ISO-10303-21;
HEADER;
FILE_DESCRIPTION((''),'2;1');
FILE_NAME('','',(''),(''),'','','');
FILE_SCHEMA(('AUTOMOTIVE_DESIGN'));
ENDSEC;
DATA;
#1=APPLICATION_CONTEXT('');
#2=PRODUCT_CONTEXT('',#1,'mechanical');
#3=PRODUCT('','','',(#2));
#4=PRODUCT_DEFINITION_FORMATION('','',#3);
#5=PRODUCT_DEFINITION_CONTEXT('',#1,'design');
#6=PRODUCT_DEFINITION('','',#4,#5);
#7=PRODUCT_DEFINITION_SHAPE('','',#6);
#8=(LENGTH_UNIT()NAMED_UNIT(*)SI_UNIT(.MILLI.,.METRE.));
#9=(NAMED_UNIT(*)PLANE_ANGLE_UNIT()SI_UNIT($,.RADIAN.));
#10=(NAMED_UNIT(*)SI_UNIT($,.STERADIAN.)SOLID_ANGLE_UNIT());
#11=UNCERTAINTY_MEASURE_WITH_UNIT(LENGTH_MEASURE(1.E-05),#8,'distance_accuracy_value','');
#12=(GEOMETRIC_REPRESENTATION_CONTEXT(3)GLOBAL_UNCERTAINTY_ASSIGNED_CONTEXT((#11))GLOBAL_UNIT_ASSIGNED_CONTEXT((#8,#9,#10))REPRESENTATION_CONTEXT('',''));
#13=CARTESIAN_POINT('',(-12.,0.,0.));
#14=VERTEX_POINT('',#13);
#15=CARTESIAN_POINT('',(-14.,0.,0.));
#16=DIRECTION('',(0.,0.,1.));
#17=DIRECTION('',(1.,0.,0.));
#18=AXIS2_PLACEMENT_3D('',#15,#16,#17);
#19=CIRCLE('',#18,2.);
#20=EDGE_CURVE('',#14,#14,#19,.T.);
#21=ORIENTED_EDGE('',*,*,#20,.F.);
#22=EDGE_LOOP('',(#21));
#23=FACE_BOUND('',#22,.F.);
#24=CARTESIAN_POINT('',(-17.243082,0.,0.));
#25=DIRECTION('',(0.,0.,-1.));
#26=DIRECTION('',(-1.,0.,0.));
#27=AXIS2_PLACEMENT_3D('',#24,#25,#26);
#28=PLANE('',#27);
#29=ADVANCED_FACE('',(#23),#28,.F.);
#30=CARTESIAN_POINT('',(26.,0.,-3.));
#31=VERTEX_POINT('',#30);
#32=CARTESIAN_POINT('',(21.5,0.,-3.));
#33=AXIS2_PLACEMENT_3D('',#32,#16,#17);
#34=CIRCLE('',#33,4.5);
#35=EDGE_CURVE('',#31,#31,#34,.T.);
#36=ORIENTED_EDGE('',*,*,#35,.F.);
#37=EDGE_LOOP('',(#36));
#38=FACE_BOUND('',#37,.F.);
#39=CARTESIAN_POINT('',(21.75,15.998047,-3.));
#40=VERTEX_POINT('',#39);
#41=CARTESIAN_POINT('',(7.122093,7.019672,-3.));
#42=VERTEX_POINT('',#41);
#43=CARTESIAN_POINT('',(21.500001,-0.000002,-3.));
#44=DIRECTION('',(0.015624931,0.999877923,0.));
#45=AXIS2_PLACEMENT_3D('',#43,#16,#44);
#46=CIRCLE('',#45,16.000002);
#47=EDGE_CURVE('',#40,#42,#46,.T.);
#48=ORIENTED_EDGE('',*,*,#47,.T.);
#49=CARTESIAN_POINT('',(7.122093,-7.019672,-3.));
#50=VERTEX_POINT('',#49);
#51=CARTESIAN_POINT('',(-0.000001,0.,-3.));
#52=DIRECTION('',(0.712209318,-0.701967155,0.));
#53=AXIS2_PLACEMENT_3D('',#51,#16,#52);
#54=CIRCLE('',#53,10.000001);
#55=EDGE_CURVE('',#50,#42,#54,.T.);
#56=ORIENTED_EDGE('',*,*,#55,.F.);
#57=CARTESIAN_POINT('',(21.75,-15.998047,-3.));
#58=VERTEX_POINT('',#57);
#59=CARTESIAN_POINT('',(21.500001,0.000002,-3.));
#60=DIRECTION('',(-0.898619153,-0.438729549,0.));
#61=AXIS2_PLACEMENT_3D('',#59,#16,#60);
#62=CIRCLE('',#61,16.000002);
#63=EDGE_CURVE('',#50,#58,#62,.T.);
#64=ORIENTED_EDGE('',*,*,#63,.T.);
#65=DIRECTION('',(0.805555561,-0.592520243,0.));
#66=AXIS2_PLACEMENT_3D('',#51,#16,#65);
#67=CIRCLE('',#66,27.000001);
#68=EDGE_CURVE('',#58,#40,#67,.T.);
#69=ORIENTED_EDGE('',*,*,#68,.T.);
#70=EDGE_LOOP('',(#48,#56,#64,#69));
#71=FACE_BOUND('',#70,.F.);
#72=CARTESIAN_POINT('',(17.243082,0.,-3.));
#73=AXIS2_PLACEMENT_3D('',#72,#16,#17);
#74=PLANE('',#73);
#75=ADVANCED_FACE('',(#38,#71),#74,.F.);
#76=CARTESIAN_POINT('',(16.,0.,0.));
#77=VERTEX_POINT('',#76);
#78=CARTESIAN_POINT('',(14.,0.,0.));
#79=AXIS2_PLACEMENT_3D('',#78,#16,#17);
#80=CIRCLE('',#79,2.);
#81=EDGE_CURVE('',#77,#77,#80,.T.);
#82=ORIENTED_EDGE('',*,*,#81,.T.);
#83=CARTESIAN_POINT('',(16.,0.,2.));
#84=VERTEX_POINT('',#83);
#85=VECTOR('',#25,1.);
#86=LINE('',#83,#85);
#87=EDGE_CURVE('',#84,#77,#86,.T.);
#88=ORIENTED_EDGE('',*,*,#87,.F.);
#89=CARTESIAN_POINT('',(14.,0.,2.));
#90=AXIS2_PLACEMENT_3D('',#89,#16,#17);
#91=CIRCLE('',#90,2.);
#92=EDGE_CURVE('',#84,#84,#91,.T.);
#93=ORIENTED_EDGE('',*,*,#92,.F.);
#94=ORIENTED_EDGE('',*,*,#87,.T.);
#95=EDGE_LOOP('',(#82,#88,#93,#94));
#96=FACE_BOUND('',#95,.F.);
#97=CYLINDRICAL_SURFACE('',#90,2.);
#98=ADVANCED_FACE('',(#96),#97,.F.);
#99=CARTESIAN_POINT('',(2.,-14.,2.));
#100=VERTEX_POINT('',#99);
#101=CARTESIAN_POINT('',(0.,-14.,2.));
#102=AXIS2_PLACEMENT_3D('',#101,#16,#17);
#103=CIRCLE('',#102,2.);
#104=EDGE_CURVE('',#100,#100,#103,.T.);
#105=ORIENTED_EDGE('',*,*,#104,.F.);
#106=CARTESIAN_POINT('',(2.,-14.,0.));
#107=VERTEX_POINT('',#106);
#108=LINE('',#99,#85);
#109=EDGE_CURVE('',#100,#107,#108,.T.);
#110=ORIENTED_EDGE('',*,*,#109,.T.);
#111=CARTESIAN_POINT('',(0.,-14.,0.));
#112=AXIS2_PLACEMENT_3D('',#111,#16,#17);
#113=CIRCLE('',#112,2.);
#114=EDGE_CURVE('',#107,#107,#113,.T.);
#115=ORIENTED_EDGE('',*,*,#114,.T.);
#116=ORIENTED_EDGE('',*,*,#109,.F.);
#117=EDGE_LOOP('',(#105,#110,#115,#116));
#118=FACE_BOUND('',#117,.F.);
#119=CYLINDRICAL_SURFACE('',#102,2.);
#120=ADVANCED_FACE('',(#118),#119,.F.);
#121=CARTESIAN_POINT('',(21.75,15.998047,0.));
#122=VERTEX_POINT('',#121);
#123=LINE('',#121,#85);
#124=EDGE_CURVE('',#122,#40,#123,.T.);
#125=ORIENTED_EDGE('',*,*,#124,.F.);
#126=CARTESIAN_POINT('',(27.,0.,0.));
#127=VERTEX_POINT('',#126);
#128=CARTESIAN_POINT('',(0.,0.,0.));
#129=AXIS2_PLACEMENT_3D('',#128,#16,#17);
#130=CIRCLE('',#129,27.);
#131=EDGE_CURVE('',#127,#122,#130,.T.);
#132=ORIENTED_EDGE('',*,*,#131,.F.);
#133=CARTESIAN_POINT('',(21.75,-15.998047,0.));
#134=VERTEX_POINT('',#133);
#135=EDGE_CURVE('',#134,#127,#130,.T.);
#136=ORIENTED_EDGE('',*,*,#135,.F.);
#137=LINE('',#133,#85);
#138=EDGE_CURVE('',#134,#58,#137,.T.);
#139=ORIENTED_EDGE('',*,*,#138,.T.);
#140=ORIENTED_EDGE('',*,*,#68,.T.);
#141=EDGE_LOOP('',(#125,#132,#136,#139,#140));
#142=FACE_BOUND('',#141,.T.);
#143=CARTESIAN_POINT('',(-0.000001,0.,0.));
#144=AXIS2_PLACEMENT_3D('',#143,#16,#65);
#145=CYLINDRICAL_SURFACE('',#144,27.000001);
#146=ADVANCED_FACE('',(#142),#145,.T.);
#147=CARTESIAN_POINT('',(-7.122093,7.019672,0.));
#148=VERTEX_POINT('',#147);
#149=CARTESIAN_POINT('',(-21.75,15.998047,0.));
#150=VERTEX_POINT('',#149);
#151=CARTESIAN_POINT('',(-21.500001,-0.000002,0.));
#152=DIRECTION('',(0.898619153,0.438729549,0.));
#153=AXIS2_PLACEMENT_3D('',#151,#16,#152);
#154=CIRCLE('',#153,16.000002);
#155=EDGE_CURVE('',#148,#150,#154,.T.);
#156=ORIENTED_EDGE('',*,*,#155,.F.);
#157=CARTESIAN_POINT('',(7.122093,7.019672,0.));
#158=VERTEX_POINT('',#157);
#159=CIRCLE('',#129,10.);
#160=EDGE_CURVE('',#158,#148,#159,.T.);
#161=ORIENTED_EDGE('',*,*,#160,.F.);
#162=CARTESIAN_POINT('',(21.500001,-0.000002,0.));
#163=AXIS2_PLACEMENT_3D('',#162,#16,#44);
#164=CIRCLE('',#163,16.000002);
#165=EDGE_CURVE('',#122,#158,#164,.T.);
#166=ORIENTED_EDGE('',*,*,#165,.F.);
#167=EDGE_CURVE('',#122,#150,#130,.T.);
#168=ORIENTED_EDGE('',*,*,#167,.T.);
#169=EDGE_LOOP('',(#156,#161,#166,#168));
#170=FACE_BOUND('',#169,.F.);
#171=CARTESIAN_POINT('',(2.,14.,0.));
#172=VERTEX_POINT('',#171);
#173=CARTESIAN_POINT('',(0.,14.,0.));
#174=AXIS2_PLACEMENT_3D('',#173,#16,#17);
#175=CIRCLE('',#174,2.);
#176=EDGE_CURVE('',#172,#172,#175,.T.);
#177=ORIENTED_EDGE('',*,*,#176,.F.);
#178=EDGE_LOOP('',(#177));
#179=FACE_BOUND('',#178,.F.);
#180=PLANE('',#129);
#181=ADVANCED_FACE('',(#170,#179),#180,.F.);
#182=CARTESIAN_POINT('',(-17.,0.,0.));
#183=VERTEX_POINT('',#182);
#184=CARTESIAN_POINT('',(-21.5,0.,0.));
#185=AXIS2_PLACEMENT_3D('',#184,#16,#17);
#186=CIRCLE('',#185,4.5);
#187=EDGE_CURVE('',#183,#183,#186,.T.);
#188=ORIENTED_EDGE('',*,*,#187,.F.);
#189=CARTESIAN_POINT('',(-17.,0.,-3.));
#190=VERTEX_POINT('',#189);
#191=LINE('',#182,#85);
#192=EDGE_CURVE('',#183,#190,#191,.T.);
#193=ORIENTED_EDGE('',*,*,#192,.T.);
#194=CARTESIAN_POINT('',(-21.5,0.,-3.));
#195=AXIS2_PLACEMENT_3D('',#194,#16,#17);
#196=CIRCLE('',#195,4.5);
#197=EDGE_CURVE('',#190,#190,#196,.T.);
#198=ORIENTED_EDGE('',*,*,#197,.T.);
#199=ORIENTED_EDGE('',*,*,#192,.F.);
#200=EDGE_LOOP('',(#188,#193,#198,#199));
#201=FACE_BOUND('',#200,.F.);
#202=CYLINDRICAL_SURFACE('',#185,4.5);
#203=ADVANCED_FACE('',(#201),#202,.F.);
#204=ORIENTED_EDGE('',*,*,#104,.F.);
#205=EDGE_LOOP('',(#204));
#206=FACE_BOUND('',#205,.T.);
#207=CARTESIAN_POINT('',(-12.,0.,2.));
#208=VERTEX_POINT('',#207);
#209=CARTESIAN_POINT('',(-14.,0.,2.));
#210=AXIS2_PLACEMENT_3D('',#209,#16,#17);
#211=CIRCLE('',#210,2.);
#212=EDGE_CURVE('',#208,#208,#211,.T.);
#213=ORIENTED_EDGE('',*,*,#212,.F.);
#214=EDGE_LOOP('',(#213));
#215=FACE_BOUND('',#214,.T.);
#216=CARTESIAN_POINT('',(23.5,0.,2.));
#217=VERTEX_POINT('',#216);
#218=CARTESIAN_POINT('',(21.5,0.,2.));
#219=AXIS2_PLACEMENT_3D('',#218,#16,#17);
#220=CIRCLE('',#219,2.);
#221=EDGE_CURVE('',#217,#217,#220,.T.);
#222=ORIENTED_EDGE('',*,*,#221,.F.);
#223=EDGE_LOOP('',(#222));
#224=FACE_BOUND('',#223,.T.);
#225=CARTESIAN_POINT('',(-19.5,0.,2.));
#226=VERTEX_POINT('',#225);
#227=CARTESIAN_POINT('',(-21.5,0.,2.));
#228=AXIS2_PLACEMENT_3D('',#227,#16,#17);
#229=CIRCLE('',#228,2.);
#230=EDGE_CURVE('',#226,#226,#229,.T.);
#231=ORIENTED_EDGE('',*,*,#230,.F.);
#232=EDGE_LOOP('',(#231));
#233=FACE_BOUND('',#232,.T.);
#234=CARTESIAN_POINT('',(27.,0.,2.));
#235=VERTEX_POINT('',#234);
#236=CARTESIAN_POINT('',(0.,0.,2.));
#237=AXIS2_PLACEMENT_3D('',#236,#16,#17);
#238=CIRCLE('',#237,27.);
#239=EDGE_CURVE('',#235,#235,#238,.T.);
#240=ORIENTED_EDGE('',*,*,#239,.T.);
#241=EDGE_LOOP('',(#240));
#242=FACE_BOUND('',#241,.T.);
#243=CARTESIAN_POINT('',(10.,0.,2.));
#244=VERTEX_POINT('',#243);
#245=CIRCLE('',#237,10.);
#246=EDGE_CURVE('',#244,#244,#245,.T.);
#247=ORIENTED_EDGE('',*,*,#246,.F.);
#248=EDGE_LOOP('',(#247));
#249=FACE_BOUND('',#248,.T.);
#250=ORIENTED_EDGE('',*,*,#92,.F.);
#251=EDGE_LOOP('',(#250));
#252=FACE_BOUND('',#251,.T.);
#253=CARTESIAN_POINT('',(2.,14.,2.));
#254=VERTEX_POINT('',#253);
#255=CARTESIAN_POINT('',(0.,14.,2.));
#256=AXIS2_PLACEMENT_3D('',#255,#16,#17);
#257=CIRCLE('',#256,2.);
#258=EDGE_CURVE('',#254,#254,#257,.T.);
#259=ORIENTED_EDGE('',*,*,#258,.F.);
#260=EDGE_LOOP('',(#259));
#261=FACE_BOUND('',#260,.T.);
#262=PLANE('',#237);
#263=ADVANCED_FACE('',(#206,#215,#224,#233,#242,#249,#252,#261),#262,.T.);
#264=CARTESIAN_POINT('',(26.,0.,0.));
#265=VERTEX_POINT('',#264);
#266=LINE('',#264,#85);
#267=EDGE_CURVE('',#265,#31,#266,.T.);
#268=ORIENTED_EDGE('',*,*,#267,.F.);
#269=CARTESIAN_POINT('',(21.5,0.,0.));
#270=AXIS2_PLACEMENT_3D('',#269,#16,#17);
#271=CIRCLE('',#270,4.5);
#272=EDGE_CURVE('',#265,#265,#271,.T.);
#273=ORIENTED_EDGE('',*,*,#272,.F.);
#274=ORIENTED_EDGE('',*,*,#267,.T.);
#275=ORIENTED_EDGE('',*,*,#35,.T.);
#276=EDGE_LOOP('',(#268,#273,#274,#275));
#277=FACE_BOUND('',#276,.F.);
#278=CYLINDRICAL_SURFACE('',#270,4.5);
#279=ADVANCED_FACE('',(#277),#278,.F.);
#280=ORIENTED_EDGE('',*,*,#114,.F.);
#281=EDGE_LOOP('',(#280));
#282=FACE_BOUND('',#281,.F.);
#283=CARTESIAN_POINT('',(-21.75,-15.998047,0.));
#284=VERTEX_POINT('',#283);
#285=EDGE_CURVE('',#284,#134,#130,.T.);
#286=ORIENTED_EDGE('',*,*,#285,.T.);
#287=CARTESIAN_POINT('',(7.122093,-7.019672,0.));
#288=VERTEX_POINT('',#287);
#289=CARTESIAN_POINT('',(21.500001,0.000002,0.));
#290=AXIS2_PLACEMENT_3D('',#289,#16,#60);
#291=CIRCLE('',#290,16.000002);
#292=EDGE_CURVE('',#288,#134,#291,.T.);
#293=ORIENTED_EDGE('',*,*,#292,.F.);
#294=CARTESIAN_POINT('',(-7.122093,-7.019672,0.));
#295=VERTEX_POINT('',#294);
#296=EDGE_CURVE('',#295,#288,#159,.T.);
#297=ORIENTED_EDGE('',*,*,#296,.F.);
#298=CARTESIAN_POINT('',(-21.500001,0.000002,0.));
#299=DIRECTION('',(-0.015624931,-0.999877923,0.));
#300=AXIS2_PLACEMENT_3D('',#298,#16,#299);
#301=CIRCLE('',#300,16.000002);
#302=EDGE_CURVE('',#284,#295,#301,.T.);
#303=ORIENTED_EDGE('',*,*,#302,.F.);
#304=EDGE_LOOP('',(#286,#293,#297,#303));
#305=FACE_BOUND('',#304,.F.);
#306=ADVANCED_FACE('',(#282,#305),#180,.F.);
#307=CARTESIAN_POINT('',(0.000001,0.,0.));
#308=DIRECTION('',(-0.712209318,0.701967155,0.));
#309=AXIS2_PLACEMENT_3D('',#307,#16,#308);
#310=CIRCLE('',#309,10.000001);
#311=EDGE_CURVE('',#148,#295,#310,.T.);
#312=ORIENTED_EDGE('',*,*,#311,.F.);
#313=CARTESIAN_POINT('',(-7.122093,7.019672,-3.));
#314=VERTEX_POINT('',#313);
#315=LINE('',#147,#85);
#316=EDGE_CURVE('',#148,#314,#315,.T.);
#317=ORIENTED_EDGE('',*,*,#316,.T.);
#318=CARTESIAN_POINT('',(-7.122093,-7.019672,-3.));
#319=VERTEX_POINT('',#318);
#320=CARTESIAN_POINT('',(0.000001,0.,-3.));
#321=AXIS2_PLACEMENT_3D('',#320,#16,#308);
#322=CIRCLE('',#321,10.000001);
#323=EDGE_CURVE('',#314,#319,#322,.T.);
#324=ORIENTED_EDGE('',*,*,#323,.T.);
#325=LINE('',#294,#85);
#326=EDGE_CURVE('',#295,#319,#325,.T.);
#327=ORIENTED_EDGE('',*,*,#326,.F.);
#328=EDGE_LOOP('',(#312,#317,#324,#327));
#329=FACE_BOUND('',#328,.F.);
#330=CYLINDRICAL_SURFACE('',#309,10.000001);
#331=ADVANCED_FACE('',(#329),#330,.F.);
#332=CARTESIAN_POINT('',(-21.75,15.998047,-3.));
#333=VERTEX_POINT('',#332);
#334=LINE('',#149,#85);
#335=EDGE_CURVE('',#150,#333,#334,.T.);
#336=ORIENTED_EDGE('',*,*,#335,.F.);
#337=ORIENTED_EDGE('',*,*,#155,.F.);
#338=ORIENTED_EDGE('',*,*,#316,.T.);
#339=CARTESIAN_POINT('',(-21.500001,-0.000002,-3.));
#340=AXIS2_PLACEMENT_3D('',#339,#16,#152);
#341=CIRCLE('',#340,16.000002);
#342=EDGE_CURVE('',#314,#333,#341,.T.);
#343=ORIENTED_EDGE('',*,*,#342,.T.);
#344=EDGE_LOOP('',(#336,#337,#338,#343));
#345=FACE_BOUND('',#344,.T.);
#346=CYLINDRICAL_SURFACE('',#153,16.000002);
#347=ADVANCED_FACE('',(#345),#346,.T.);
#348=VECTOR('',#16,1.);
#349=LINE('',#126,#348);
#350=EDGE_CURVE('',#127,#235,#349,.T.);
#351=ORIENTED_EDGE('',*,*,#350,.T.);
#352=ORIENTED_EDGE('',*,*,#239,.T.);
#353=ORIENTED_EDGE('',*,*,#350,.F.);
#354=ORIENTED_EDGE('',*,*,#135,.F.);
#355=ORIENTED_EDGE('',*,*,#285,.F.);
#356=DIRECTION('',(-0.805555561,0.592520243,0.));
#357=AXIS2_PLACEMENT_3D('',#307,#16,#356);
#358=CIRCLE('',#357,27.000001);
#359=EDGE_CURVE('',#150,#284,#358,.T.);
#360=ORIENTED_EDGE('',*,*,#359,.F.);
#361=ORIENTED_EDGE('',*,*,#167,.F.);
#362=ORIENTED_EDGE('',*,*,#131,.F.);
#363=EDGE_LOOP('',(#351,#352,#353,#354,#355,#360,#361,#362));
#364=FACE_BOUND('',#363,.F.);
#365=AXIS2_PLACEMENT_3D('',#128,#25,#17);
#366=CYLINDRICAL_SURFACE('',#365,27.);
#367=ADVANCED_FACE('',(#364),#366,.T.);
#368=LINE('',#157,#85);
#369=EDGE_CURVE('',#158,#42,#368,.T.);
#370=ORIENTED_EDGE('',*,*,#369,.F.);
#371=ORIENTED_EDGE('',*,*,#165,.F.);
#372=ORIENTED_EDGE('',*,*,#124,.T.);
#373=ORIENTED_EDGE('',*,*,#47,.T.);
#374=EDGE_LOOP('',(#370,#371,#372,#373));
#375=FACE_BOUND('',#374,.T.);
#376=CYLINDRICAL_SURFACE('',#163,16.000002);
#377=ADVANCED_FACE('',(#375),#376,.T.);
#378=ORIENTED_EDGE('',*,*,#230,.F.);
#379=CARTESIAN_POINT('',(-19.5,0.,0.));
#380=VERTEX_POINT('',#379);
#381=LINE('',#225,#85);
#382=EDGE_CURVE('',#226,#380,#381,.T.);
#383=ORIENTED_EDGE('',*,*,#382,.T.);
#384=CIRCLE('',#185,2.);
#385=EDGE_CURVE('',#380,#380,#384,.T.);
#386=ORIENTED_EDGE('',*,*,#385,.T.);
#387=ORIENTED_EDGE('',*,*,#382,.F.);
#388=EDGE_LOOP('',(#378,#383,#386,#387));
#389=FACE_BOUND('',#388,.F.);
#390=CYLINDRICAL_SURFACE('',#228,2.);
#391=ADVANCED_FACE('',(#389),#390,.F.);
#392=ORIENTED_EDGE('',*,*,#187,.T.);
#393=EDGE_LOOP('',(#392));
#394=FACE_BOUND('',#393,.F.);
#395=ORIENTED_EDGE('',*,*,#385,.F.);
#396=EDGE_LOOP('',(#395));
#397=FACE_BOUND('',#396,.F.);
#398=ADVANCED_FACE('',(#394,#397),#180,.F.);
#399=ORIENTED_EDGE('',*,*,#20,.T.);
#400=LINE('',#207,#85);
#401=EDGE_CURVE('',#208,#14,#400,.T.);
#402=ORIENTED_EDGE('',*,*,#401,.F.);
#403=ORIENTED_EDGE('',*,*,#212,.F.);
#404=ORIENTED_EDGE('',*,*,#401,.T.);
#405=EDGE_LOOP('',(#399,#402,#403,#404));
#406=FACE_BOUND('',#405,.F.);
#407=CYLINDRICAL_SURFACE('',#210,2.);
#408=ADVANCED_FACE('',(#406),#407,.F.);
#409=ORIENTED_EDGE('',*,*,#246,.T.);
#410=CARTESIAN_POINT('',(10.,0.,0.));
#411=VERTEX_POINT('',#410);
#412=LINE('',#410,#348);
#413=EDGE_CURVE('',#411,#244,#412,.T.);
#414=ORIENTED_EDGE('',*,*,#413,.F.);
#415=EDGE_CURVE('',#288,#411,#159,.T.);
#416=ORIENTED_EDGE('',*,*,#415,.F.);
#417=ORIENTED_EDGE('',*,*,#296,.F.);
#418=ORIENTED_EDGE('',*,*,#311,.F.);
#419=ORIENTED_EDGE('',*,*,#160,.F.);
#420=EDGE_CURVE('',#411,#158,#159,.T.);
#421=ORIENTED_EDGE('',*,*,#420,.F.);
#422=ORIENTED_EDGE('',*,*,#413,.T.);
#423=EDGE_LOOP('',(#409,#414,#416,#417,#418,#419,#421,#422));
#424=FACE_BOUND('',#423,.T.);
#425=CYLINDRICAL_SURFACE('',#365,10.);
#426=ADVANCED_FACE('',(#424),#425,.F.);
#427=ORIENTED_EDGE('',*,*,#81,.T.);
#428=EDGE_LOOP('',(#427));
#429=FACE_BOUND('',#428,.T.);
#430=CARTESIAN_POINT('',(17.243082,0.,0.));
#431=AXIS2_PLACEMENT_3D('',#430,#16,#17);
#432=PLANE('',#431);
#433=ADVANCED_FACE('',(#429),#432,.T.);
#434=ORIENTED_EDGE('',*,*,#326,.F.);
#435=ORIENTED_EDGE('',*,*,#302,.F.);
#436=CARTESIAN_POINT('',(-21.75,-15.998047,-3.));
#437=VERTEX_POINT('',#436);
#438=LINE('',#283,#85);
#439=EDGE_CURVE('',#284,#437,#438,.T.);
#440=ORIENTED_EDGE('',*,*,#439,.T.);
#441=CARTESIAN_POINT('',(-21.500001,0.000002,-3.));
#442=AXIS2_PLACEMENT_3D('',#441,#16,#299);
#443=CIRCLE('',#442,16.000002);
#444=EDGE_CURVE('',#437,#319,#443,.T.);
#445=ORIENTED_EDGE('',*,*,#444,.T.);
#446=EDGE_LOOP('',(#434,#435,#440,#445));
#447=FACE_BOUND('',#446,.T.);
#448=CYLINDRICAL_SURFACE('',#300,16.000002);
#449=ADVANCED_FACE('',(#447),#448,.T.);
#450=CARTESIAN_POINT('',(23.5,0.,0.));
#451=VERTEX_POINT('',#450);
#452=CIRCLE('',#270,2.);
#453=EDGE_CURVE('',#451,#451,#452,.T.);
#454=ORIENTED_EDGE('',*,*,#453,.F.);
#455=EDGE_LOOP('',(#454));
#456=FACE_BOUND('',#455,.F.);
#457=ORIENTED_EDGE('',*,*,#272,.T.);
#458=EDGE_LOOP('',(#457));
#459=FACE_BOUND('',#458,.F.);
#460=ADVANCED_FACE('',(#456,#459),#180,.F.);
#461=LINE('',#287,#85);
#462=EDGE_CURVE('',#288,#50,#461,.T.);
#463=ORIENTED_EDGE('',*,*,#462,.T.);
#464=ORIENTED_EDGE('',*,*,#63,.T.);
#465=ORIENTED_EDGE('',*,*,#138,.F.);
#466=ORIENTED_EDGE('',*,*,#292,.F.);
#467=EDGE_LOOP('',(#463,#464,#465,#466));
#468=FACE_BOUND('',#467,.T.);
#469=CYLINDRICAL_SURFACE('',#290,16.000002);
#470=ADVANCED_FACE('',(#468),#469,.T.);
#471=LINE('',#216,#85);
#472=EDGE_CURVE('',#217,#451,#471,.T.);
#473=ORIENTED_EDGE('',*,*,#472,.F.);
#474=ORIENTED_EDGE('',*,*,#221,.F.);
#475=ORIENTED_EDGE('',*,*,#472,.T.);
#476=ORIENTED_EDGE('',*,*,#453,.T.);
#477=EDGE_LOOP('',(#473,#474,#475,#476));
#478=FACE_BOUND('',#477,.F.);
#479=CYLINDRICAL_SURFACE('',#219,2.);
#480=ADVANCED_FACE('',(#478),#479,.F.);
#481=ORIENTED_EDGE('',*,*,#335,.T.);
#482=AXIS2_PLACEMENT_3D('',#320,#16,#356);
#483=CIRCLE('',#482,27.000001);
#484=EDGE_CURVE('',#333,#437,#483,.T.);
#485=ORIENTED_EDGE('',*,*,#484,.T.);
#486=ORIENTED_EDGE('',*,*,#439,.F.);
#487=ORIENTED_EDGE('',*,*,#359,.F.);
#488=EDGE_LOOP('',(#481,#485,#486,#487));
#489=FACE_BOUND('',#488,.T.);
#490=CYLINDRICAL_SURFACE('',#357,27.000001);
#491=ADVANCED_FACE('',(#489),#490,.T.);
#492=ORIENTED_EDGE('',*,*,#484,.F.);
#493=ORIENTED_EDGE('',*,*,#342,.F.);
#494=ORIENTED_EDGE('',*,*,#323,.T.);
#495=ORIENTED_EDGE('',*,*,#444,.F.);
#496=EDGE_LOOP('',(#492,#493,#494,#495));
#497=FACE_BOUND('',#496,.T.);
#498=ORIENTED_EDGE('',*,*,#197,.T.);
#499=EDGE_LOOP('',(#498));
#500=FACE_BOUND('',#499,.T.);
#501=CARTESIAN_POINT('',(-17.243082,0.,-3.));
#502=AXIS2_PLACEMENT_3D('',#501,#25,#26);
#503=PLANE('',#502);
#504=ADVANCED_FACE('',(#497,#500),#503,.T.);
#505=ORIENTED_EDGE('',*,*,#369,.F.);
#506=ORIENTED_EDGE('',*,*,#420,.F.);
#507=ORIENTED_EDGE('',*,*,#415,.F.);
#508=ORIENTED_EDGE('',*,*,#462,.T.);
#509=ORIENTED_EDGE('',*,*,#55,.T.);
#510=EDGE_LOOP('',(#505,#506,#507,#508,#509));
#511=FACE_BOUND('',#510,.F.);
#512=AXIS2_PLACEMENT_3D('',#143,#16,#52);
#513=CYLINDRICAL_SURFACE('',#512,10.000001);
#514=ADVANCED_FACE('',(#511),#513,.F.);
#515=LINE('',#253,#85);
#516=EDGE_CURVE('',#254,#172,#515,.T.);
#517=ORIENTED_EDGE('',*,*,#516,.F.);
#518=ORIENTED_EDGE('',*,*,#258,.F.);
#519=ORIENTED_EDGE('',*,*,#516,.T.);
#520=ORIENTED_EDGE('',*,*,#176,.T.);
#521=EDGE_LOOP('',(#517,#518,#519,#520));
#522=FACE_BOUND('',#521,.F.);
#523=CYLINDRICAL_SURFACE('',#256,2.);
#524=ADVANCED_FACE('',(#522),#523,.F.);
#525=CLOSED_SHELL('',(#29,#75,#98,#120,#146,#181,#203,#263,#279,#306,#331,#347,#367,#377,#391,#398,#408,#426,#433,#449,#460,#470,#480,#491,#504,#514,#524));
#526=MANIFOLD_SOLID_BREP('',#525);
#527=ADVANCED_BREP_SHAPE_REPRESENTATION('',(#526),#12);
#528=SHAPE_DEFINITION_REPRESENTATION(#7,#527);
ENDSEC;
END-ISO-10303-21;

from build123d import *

# Parameters (mm, degrees)
SKETCH_R        = 27
SKETCH_R_2      = 10
PAD_DEPTH       = 2
SKETCH001_R     = 2
POCKET_DEPTH    = 2.001
SKETCH004_R     = 2
POCKET002_DEPTH = 2.001
SKETCH005_R     = 4.5
PAD001_DEPTH    = 3


with BuildPart() as part:
    # Sketch → Pad (new body)
    with BuildSketch(Plane.XY):
        Circle(SKETCH_R)
        Circle(SKETCH_R_2, mode=Mode.SUBTRACT)
    extrude(amount=PAD_DEPTH)

    # Sketch001 (on Face4 of Pad) → Pocket (cut, through all)
    with BuildSketch(Plane.XY.offset(2)):
        with Locations((0, 14)):
            Circle(SKETCH001_R)
        with Locations((14, 0)):
            Circle(SKETCH001_R)
        with Locations((0, -14)):
            Circle(SKETCH001_R)
        with Locations((-14, 0)):
            Circle(SKETCH001_R)
    extrude(amount=-POCKET_DEPTH, mode=Mode.SUBTRACT)

    # Sketch004 → Pocket002 (cut, through all)
    with BuildSketch(Plane.XY.offset(2)):
        with Locations((-21.5, 0)):
            Circle(SKETCH004_R)
        with Locations((21.5, 0)):
            Circle(SKETCH004_R)
    extrude(amount=-POCKET002_DEPTH, mode=Mode.SUBTRACT)

    # Sketch005 → Pad001 (join)
    with BuildSketch(Plane.XY):
        with BuildLine():
            ThreePointArc((21.75, 15.998047), (13.130278, 13.636266), (7.122093, 7.019672))
            ThreePointArc((7.122093, -7.019672), (10, 0), (7.122093, 7.019672))
            ThreePointArc((7.122093, -7.019672), (13.130278, -13.636266), (21.75, -15.998047))
            ThreePointArc((21.75, -15.998047), (27, 0), (21.75, 15.998047))
        make_face()
        with Locations((21.5, 0)):
            Circle(SKETCH005_R, mode=Mode.SUBTRACT)
        with BuildLine():
            ThreePointArc((-7.122093, 7.019672), (-10, 0), (-7.122093, -7.019672))
            ThreePointArc((-21.75, -15.998047), (-13.130278, -13.636266), (-7.122093, -7.019672))
            ThreePointArc((-21.75, 15.998047), (-27, 0), (-21.75, -15.998047))
            ThreePointArc((-7.122093, 7.019672), (-13.130278, 13.636266), (-21.75, 15.998047))
        make_face()
        with Locations((-21.5, 0)):
            Circle(SKETCH005_R, mode=Mode.SUBTRACT)
    extrude(amount=-PAD001_DEPTH)


solid = part.part
